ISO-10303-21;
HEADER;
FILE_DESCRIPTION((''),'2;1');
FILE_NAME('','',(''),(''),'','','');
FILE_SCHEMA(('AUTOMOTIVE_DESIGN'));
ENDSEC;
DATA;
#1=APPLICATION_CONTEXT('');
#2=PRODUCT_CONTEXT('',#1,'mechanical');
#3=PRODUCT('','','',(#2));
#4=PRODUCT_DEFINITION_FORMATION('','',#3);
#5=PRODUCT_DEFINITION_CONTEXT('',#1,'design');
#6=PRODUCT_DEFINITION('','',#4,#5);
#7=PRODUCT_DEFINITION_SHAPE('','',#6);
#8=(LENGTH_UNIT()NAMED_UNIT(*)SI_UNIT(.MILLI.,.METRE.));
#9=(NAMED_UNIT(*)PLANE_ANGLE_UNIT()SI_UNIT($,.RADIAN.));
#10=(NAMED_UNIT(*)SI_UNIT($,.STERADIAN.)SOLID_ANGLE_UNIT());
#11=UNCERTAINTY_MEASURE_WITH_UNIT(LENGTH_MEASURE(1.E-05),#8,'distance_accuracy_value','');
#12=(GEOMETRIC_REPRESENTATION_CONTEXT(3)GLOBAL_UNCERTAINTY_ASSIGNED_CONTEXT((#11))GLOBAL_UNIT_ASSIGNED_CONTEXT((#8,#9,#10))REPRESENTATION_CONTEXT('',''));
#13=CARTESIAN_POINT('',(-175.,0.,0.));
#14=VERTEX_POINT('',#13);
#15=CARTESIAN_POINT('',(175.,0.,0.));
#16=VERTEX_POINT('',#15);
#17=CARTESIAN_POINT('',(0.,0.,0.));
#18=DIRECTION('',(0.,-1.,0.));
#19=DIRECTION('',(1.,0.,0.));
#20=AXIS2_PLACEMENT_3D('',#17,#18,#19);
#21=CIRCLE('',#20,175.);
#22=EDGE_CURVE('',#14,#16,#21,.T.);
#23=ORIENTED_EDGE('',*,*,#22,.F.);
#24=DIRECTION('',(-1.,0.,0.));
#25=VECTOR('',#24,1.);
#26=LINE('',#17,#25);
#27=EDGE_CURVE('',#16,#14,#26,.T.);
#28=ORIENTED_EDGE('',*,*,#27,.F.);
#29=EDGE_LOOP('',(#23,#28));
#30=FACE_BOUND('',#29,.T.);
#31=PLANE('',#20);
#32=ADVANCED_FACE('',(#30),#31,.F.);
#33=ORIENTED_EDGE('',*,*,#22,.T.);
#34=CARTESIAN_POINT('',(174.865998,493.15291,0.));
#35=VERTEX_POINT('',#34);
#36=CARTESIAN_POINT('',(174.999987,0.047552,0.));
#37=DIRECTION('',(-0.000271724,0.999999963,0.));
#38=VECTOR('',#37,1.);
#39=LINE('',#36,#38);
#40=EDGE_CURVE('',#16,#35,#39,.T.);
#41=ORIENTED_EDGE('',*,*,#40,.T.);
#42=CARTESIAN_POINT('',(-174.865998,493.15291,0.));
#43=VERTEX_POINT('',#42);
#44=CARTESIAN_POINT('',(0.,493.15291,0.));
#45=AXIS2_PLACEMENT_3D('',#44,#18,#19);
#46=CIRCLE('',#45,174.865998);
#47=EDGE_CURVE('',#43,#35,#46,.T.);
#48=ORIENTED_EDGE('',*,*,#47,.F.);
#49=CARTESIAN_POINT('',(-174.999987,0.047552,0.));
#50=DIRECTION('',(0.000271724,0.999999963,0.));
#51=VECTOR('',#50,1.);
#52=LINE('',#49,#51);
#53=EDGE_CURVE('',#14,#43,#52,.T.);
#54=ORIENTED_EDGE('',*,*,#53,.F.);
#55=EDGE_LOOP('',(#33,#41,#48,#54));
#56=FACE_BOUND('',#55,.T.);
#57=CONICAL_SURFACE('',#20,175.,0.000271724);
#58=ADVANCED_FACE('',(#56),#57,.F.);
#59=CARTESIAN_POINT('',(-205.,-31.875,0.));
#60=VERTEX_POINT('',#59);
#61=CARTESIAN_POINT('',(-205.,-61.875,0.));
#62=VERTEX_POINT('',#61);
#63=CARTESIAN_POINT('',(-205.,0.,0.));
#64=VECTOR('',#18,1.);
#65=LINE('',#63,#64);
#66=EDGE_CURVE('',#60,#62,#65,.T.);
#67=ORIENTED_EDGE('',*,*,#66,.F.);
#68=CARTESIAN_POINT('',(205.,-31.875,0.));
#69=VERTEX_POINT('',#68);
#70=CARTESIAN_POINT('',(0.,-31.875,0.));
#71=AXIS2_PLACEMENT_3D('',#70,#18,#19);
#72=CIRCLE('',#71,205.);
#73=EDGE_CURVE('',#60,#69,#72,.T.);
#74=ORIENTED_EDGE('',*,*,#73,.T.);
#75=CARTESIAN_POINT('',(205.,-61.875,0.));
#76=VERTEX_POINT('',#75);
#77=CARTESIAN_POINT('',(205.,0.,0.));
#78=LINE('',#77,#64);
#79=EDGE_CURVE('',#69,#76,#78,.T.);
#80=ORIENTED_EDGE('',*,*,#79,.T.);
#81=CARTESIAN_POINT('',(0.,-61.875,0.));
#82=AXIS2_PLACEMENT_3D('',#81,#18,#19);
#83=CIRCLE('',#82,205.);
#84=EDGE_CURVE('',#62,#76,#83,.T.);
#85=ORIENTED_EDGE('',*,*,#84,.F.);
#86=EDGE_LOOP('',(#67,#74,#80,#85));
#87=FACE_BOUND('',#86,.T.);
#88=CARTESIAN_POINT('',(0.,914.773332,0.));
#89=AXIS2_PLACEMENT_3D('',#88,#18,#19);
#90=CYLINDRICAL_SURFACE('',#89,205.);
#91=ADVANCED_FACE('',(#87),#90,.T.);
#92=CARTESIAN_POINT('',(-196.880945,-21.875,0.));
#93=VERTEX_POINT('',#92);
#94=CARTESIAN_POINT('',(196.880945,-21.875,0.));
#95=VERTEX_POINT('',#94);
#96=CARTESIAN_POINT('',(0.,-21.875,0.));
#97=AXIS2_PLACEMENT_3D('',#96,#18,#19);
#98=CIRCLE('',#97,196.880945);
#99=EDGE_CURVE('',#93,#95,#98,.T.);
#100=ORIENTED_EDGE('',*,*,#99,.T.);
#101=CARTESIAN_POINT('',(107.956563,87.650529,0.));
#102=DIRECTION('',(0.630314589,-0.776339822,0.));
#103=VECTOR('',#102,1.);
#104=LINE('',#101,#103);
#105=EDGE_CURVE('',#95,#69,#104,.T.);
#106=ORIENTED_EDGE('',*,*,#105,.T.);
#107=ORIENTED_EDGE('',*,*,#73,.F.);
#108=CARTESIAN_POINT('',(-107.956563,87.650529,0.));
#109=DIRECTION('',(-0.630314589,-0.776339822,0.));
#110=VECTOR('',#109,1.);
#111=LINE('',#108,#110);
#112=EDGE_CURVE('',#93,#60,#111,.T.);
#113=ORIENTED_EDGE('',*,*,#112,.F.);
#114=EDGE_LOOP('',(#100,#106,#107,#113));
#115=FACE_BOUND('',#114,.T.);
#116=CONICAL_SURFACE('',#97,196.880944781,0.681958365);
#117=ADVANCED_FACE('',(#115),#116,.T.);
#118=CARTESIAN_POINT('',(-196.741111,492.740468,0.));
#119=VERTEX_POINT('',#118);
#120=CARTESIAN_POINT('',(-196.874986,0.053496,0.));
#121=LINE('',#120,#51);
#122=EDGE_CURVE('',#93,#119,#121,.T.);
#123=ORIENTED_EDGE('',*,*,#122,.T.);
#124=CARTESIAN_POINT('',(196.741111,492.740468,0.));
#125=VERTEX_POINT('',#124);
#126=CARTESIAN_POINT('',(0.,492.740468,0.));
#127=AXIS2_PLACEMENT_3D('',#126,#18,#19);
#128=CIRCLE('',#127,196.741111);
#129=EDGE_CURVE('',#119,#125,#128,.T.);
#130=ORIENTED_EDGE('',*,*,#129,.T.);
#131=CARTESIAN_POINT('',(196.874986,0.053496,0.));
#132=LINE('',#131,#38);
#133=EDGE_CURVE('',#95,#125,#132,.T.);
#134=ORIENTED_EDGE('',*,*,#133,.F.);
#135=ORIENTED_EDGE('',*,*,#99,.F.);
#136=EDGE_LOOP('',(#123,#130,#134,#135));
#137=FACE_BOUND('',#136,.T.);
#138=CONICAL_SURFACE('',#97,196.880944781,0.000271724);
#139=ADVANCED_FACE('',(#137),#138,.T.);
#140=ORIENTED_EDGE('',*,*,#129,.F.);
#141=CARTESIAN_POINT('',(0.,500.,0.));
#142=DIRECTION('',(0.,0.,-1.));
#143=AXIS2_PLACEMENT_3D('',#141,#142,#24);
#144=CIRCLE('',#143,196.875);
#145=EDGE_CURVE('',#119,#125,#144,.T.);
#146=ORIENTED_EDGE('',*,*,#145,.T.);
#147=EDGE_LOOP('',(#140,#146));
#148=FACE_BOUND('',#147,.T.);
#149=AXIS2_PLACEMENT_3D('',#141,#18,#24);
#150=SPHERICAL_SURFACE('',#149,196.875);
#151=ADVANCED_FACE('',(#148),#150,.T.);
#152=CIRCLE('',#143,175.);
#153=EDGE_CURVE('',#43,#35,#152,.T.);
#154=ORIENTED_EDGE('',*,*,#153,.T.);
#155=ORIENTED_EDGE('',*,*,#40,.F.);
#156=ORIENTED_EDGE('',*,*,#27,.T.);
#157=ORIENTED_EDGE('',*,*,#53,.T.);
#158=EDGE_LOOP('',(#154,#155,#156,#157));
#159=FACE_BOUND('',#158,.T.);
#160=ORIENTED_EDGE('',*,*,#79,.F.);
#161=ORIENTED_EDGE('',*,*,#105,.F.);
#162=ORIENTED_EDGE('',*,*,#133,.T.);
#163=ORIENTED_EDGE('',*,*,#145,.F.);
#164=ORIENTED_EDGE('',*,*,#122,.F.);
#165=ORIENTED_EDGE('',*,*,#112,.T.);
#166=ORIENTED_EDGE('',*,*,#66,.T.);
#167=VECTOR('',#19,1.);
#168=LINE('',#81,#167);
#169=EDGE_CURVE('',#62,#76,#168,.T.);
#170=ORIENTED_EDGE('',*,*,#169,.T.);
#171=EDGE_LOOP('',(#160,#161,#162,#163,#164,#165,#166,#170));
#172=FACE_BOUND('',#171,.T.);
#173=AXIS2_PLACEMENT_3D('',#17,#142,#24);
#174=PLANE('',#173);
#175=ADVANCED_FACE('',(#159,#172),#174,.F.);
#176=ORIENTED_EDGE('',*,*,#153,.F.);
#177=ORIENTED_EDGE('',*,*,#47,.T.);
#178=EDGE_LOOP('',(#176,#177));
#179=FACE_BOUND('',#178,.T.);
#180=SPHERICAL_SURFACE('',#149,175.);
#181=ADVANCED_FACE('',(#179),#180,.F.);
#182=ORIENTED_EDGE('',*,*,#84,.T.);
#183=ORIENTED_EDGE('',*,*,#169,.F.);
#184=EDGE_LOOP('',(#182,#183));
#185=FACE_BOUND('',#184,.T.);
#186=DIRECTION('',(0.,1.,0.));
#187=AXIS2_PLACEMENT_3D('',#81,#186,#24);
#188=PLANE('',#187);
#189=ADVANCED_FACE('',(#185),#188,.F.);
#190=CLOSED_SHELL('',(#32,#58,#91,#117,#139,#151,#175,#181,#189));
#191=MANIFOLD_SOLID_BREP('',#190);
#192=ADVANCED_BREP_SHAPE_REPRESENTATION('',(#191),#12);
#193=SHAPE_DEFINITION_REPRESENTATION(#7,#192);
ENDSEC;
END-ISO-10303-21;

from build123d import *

# Parameters (mm, degrees)
REVOLVE6_ANGLE = 180


with BuildPart() as part:
    # Sketch1 → Revolve6 (revolve)
    with BuildSketch(Plane.XY):
        with BuildLine():
            Line((175, 0), (0, 0))
            Line((0, 0), (0, -61.875))
            Line((0, -61.875), (205, -61.875))
            Line((205, -61.875), (205, -31.875))
            Line((205, -31.875), (196.880944781, -21.875))
            Line((196.880944781, -21.875), (196.741111153, 492.740467835))
            ThreePointArc((196.741111153, 492.740467835), (141.755045801, 636.620908411), (0, 696.875))
            Line((0, 696.875), (0, 675))
            ThreePointArc((0, 675), (126.141271645, 621.298720471), (174.865998275, 493.152909575))
            Line((174.865998275, 493.152909575), (175, 0))
        make_face()
    revolve(axis=Axis((0, 914.773331767, 0), (0, 1, 0)), revolution_arc=REVOLVE6_ANGLE)


solid = part.part
